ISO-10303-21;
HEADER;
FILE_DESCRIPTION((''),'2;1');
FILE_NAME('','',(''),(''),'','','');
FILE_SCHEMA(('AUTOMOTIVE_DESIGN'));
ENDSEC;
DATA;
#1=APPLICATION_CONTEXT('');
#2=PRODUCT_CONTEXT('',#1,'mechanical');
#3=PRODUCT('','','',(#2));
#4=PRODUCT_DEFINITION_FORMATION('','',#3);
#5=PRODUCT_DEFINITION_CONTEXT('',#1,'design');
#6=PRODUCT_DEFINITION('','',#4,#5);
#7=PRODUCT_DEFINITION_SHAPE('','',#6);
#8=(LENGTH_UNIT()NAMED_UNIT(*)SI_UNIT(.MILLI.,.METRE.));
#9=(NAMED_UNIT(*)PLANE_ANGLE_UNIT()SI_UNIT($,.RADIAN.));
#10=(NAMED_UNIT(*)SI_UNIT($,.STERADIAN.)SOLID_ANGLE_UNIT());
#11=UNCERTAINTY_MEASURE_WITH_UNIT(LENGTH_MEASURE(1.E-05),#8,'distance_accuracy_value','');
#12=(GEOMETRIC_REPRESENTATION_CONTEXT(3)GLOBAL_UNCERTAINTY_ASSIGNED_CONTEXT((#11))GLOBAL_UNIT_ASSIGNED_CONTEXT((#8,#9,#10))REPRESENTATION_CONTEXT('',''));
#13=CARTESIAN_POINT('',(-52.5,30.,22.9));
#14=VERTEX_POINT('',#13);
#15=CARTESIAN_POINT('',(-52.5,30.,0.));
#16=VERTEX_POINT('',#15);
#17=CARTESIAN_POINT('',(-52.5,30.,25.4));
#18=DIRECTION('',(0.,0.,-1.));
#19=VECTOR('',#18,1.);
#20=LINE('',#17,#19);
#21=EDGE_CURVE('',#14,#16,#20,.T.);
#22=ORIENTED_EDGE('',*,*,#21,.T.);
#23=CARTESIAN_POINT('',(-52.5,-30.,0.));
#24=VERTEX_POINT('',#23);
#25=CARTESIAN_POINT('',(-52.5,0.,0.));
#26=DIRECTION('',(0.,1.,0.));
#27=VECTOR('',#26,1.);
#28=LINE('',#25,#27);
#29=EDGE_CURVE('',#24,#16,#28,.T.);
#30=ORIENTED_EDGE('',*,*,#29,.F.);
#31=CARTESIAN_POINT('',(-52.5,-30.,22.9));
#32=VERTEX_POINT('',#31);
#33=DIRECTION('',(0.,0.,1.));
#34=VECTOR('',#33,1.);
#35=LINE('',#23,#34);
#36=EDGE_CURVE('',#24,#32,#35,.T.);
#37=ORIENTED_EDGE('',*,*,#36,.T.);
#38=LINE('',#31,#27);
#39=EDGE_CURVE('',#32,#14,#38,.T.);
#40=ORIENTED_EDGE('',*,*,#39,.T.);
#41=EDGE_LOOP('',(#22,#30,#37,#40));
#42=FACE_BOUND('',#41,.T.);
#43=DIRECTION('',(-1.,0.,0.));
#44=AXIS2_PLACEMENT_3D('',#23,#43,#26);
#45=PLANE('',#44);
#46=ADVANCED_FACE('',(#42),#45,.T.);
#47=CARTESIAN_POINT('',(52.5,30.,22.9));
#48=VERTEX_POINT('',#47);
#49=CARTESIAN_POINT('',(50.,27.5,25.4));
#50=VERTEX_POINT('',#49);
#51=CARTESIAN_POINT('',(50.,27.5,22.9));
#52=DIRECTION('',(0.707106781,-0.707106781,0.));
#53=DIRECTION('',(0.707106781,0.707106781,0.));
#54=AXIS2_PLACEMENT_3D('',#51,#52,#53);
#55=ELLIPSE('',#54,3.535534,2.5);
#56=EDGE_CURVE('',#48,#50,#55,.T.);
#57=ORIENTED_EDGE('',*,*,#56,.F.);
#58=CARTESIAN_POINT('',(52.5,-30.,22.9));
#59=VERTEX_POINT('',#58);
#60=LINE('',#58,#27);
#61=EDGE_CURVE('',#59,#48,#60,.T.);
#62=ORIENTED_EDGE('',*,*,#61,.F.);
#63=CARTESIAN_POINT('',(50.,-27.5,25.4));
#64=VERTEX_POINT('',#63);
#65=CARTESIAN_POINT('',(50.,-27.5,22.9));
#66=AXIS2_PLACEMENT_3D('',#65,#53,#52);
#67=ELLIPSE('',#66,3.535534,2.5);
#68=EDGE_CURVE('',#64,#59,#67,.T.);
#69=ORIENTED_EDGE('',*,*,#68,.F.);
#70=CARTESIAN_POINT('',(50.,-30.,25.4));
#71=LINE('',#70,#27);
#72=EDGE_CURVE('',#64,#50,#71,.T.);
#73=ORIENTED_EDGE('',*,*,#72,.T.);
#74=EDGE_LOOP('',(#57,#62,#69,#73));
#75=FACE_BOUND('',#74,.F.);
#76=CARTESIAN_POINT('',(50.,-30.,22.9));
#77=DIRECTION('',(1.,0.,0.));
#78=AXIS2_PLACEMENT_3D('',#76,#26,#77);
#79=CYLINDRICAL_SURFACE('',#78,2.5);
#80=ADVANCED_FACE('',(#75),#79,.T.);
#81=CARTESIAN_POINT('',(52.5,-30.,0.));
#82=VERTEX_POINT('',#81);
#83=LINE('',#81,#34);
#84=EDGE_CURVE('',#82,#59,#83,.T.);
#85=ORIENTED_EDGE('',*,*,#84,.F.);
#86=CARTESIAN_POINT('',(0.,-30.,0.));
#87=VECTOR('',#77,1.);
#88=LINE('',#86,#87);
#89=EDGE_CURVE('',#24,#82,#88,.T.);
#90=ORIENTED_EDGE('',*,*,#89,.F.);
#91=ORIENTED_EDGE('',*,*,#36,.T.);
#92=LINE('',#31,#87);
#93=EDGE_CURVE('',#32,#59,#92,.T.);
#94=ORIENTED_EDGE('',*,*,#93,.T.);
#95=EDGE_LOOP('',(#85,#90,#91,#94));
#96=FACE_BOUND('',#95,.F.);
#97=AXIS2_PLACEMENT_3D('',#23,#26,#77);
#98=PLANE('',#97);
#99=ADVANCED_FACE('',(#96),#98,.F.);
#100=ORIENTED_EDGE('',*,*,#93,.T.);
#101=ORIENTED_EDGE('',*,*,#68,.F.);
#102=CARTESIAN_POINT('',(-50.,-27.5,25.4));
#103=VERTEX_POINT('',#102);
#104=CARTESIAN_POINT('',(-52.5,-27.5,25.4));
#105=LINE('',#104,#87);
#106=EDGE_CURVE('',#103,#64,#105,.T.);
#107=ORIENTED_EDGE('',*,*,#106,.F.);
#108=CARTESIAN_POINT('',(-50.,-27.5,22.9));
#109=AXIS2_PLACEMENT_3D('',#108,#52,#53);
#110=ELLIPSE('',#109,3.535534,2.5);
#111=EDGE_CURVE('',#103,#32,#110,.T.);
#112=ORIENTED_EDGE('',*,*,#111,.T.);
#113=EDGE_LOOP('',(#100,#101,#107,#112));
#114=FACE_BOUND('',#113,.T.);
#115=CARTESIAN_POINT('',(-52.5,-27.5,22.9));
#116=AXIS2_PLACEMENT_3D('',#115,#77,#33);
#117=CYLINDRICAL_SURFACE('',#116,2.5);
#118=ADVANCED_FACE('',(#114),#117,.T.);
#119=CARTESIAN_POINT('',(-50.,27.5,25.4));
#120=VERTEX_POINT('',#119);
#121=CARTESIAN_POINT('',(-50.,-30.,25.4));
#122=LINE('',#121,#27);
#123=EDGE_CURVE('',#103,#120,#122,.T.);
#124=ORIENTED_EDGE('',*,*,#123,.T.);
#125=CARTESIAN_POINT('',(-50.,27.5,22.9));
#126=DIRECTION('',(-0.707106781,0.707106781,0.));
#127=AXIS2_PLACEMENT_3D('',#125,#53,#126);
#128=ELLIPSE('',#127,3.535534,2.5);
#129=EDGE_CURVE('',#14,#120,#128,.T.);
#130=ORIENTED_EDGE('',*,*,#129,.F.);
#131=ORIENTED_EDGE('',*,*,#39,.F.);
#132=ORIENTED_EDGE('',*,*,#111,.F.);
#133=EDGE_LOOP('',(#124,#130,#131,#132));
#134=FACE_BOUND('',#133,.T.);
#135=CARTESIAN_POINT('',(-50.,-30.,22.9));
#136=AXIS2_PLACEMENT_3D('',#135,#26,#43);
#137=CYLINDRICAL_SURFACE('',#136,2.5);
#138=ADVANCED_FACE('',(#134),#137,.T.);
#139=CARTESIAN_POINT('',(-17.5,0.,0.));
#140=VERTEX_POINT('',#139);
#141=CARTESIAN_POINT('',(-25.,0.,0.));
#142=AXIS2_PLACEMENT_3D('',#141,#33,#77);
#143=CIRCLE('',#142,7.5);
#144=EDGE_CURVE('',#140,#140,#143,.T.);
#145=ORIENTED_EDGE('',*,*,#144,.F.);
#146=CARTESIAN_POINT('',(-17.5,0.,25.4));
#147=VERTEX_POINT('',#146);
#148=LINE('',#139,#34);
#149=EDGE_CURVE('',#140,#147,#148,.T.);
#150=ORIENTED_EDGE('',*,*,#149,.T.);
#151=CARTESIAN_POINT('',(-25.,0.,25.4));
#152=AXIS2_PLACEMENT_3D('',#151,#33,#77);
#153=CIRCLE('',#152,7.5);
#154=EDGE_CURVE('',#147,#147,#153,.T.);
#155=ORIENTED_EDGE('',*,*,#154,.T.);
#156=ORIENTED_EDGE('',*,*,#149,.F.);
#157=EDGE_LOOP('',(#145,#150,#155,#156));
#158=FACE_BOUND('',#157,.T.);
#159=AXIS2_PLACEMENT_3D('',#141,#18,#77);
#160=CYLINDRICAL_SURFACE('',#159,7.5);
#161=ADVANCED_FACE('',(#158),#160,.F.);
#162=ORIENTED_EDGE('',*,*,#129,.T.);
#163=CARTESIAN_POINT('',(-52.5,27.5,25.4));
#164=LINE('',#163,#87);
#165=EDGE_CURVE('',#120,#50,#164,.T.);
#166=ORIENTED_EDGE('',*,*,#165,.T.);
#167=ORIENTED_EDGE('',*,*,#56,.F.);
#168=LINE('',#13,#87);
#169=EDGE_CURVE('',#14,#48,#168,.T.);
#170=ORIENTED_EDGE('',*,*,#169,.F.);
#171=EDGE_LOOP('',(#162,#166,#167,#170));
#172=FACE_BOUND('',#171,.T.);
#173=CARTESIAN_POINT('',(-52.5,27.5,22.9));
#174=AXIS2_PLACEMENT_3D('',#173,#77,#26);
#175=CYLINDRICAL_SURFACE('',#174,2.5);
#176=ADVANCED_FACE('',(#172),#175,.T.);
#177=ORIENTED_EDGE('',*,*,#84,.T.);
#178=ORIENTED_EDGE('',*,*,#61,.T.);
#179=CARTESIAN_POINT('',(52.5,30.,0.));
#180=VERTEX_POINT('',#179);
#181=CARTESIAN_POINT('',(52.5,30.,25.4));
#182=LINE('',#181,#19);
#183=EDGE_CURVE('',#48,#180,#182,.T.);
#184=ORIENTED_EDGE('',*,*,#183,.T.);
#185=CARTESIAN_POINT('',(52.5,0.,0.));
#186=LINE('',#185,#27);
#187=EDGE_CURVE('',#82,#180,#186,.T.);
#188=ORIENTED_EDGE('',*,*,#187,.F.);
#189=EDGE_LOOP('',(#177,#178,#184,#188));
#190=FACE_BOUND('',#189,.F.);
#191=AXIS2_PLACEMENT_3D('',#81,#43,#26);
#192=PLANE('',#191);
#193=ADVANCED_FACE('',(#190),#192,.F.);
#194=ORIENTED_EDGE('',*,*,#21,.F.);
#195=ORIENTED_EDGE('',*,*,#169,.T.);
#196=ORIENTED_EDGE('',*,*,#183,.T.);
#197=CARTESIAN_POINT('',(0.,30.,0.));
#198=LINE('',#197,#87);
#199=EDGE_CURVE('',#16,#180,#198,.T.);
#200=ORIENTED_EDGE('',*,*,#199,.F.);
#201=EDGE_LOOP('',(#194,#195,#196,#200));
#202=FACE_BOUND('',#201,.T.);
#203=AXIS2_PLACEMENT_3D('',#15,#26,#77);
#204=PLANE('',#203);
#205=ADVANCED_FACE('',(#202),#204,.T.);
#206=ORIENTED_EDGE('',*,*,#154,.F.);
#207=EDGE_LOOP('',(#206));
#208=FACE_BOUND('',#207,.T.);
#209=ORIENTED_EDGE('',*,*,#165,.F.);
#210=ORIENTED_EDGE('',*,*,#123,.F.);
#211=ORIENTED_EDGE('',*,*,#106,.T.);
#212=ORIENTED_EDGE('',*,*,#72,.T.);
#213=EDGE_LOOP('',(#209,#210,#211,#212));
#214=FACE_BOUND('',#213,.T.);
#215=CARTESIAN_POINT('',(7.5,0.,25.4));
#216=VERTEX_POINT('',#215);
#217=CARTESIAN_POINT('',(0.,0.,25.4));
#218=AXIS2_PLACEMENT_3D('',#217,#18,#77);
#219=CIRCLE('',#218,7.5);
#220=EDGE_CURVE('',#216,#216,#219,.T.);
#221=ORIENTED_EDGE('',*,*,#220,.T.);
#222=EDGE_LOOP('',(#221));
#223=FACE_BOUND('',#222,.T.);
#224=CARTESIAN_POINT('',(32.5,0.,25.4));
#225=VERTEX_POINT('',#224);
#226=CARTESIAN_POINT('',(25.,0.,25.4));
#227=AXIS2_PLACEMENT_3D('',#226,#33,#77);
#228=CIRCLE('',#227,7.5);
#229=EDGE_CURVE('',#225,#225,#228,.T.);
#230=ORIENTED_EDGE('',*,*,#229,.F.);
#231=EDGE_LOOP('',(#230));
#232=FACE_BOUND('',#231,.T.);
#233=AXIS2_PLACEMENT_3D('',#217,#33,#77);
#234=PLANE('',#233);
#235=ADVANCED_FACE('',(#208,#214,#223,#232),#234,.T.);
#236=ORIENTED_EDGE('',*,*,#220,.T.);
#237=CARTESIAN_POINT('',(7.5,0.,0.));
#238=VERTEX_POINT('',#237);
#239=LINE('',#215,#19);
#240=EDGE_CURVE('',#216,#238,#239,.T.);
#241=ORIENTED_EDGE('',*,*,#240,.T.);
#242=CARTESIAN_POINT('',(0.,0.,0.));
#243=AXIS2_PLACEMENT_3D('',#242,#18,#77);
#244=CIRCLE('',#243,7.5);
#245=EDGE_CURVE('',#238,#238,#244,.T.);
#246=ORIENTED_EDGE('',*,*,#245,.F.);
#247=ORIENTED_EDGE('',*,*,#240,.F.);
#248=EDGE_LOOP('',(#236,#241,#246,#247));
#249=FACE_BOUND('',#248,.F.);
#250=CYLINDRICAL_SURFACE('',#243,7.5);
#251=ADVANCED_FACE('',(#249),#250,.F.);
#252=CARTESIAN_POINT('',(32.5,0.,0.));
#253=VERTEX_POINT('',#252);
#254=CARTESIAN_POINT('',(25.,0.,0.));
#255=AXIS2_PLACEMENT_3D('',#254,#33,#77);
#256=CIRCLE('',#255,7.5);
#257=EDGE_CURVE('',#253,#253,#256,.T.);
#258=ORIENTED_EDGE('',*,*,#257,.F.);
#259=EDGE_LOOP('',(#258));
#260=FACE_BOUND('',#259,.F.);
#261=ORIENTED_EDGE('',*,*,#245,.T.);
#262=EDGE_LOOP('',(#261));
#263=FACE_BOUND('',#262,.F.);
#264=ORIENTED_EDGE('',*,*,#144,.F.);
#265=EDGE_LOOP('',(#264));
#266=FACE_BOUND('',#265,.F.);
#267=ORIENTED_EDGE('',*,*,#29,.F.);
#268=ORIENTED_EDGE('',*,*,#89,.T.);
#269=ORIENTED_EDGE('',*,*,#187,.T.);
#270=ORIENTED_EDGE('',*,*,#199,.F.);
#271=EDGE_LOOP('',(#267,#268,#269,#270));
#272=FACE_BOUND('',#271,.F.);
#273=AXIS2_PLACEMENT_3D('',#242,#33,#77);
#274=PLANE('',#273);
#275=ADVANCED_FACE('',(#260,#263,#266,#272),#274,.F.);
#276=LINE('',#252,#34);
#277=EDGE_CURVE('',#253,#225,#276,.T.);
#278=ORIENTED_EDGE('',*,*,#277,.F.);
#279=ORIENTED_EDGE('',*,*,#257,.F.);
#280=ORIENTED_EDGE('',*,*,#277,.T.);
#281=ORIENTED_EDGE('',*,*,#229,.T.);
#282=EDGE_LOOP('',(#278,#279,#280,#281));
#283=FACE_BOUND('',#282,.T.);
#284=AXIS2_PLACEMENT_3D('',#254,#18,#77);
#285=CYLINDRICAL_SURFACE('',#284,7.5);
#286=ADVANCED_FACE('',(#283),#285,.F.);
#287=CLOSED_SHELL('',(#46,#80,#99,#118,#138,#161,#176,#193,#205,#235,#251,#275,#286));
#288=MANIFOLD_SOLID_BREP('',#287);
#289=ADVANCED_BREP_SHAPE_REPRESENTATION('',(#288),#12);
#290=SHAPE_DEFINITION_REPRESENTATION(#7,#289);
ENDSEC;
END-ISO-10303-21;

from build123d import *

# Parameters (mm, degrees)
F0_W     = 105
F0_H     = 60
F0_R     = 7.5
F1_DEPTH = 20
F2_DEPTH = 25.4
F3_R     = 2.5


with BuildPart() as f1:
    # F0 (on Top) → F1 (new body)
    with BuildSketch(Plane.XY):
        Rectangle(F0_W, F0_H)
        with Locations((-25, 0)):
            Circle(F0_R, mode=Mode.SUBTRACT)
        with BuildLine():
            ThreePointArc((-7.5, 0), (0, 7.5), (7.5, 0))
            ThreePointArc((7.5, 0), (0, -7.5), (-7.5, 0))
        make_face(mode=Mode.SUBTRACT)
        with Locations((25, 0)):
            Circle(F0_R, mode=Mode.SUBTRACT)
    extrude(amount=F1_DEPTH)

    # F0 (on Top) → F2 (join)
    with BuildSketch(Plane.XY):
        Rectangle(F0_W, F0_H)
        with Locations((-25, 0)):
            Circle(F0_R, mode=Mode.SUBTRACT)
        with BuildLine():
            ThreePointArc((-7.5, 0), (0, 7.5), (7.5, 0))
            ThreePointArc((7.5, 0), (0, -7.5), (-7.5, 0))
        make_face(mode=Mode.SUBTRACT)
        with Locations((25, 0)):
            Circle(F0_R, mode=Mode.SUBTRACT)
    extrude(amount=F2_DEPTH)

    # F3
    f3_edges = [f1.edges().sort_by_distance(p)[0] for p in [
        (0, -30, 25.4),
        (-52.5, 0, 25.4),
        (0, 30, 25.4),
        (52.5, 0, 25.4),
    ]]
    fillet(f3_edges, radius=F3_R)


solid = f1.part
